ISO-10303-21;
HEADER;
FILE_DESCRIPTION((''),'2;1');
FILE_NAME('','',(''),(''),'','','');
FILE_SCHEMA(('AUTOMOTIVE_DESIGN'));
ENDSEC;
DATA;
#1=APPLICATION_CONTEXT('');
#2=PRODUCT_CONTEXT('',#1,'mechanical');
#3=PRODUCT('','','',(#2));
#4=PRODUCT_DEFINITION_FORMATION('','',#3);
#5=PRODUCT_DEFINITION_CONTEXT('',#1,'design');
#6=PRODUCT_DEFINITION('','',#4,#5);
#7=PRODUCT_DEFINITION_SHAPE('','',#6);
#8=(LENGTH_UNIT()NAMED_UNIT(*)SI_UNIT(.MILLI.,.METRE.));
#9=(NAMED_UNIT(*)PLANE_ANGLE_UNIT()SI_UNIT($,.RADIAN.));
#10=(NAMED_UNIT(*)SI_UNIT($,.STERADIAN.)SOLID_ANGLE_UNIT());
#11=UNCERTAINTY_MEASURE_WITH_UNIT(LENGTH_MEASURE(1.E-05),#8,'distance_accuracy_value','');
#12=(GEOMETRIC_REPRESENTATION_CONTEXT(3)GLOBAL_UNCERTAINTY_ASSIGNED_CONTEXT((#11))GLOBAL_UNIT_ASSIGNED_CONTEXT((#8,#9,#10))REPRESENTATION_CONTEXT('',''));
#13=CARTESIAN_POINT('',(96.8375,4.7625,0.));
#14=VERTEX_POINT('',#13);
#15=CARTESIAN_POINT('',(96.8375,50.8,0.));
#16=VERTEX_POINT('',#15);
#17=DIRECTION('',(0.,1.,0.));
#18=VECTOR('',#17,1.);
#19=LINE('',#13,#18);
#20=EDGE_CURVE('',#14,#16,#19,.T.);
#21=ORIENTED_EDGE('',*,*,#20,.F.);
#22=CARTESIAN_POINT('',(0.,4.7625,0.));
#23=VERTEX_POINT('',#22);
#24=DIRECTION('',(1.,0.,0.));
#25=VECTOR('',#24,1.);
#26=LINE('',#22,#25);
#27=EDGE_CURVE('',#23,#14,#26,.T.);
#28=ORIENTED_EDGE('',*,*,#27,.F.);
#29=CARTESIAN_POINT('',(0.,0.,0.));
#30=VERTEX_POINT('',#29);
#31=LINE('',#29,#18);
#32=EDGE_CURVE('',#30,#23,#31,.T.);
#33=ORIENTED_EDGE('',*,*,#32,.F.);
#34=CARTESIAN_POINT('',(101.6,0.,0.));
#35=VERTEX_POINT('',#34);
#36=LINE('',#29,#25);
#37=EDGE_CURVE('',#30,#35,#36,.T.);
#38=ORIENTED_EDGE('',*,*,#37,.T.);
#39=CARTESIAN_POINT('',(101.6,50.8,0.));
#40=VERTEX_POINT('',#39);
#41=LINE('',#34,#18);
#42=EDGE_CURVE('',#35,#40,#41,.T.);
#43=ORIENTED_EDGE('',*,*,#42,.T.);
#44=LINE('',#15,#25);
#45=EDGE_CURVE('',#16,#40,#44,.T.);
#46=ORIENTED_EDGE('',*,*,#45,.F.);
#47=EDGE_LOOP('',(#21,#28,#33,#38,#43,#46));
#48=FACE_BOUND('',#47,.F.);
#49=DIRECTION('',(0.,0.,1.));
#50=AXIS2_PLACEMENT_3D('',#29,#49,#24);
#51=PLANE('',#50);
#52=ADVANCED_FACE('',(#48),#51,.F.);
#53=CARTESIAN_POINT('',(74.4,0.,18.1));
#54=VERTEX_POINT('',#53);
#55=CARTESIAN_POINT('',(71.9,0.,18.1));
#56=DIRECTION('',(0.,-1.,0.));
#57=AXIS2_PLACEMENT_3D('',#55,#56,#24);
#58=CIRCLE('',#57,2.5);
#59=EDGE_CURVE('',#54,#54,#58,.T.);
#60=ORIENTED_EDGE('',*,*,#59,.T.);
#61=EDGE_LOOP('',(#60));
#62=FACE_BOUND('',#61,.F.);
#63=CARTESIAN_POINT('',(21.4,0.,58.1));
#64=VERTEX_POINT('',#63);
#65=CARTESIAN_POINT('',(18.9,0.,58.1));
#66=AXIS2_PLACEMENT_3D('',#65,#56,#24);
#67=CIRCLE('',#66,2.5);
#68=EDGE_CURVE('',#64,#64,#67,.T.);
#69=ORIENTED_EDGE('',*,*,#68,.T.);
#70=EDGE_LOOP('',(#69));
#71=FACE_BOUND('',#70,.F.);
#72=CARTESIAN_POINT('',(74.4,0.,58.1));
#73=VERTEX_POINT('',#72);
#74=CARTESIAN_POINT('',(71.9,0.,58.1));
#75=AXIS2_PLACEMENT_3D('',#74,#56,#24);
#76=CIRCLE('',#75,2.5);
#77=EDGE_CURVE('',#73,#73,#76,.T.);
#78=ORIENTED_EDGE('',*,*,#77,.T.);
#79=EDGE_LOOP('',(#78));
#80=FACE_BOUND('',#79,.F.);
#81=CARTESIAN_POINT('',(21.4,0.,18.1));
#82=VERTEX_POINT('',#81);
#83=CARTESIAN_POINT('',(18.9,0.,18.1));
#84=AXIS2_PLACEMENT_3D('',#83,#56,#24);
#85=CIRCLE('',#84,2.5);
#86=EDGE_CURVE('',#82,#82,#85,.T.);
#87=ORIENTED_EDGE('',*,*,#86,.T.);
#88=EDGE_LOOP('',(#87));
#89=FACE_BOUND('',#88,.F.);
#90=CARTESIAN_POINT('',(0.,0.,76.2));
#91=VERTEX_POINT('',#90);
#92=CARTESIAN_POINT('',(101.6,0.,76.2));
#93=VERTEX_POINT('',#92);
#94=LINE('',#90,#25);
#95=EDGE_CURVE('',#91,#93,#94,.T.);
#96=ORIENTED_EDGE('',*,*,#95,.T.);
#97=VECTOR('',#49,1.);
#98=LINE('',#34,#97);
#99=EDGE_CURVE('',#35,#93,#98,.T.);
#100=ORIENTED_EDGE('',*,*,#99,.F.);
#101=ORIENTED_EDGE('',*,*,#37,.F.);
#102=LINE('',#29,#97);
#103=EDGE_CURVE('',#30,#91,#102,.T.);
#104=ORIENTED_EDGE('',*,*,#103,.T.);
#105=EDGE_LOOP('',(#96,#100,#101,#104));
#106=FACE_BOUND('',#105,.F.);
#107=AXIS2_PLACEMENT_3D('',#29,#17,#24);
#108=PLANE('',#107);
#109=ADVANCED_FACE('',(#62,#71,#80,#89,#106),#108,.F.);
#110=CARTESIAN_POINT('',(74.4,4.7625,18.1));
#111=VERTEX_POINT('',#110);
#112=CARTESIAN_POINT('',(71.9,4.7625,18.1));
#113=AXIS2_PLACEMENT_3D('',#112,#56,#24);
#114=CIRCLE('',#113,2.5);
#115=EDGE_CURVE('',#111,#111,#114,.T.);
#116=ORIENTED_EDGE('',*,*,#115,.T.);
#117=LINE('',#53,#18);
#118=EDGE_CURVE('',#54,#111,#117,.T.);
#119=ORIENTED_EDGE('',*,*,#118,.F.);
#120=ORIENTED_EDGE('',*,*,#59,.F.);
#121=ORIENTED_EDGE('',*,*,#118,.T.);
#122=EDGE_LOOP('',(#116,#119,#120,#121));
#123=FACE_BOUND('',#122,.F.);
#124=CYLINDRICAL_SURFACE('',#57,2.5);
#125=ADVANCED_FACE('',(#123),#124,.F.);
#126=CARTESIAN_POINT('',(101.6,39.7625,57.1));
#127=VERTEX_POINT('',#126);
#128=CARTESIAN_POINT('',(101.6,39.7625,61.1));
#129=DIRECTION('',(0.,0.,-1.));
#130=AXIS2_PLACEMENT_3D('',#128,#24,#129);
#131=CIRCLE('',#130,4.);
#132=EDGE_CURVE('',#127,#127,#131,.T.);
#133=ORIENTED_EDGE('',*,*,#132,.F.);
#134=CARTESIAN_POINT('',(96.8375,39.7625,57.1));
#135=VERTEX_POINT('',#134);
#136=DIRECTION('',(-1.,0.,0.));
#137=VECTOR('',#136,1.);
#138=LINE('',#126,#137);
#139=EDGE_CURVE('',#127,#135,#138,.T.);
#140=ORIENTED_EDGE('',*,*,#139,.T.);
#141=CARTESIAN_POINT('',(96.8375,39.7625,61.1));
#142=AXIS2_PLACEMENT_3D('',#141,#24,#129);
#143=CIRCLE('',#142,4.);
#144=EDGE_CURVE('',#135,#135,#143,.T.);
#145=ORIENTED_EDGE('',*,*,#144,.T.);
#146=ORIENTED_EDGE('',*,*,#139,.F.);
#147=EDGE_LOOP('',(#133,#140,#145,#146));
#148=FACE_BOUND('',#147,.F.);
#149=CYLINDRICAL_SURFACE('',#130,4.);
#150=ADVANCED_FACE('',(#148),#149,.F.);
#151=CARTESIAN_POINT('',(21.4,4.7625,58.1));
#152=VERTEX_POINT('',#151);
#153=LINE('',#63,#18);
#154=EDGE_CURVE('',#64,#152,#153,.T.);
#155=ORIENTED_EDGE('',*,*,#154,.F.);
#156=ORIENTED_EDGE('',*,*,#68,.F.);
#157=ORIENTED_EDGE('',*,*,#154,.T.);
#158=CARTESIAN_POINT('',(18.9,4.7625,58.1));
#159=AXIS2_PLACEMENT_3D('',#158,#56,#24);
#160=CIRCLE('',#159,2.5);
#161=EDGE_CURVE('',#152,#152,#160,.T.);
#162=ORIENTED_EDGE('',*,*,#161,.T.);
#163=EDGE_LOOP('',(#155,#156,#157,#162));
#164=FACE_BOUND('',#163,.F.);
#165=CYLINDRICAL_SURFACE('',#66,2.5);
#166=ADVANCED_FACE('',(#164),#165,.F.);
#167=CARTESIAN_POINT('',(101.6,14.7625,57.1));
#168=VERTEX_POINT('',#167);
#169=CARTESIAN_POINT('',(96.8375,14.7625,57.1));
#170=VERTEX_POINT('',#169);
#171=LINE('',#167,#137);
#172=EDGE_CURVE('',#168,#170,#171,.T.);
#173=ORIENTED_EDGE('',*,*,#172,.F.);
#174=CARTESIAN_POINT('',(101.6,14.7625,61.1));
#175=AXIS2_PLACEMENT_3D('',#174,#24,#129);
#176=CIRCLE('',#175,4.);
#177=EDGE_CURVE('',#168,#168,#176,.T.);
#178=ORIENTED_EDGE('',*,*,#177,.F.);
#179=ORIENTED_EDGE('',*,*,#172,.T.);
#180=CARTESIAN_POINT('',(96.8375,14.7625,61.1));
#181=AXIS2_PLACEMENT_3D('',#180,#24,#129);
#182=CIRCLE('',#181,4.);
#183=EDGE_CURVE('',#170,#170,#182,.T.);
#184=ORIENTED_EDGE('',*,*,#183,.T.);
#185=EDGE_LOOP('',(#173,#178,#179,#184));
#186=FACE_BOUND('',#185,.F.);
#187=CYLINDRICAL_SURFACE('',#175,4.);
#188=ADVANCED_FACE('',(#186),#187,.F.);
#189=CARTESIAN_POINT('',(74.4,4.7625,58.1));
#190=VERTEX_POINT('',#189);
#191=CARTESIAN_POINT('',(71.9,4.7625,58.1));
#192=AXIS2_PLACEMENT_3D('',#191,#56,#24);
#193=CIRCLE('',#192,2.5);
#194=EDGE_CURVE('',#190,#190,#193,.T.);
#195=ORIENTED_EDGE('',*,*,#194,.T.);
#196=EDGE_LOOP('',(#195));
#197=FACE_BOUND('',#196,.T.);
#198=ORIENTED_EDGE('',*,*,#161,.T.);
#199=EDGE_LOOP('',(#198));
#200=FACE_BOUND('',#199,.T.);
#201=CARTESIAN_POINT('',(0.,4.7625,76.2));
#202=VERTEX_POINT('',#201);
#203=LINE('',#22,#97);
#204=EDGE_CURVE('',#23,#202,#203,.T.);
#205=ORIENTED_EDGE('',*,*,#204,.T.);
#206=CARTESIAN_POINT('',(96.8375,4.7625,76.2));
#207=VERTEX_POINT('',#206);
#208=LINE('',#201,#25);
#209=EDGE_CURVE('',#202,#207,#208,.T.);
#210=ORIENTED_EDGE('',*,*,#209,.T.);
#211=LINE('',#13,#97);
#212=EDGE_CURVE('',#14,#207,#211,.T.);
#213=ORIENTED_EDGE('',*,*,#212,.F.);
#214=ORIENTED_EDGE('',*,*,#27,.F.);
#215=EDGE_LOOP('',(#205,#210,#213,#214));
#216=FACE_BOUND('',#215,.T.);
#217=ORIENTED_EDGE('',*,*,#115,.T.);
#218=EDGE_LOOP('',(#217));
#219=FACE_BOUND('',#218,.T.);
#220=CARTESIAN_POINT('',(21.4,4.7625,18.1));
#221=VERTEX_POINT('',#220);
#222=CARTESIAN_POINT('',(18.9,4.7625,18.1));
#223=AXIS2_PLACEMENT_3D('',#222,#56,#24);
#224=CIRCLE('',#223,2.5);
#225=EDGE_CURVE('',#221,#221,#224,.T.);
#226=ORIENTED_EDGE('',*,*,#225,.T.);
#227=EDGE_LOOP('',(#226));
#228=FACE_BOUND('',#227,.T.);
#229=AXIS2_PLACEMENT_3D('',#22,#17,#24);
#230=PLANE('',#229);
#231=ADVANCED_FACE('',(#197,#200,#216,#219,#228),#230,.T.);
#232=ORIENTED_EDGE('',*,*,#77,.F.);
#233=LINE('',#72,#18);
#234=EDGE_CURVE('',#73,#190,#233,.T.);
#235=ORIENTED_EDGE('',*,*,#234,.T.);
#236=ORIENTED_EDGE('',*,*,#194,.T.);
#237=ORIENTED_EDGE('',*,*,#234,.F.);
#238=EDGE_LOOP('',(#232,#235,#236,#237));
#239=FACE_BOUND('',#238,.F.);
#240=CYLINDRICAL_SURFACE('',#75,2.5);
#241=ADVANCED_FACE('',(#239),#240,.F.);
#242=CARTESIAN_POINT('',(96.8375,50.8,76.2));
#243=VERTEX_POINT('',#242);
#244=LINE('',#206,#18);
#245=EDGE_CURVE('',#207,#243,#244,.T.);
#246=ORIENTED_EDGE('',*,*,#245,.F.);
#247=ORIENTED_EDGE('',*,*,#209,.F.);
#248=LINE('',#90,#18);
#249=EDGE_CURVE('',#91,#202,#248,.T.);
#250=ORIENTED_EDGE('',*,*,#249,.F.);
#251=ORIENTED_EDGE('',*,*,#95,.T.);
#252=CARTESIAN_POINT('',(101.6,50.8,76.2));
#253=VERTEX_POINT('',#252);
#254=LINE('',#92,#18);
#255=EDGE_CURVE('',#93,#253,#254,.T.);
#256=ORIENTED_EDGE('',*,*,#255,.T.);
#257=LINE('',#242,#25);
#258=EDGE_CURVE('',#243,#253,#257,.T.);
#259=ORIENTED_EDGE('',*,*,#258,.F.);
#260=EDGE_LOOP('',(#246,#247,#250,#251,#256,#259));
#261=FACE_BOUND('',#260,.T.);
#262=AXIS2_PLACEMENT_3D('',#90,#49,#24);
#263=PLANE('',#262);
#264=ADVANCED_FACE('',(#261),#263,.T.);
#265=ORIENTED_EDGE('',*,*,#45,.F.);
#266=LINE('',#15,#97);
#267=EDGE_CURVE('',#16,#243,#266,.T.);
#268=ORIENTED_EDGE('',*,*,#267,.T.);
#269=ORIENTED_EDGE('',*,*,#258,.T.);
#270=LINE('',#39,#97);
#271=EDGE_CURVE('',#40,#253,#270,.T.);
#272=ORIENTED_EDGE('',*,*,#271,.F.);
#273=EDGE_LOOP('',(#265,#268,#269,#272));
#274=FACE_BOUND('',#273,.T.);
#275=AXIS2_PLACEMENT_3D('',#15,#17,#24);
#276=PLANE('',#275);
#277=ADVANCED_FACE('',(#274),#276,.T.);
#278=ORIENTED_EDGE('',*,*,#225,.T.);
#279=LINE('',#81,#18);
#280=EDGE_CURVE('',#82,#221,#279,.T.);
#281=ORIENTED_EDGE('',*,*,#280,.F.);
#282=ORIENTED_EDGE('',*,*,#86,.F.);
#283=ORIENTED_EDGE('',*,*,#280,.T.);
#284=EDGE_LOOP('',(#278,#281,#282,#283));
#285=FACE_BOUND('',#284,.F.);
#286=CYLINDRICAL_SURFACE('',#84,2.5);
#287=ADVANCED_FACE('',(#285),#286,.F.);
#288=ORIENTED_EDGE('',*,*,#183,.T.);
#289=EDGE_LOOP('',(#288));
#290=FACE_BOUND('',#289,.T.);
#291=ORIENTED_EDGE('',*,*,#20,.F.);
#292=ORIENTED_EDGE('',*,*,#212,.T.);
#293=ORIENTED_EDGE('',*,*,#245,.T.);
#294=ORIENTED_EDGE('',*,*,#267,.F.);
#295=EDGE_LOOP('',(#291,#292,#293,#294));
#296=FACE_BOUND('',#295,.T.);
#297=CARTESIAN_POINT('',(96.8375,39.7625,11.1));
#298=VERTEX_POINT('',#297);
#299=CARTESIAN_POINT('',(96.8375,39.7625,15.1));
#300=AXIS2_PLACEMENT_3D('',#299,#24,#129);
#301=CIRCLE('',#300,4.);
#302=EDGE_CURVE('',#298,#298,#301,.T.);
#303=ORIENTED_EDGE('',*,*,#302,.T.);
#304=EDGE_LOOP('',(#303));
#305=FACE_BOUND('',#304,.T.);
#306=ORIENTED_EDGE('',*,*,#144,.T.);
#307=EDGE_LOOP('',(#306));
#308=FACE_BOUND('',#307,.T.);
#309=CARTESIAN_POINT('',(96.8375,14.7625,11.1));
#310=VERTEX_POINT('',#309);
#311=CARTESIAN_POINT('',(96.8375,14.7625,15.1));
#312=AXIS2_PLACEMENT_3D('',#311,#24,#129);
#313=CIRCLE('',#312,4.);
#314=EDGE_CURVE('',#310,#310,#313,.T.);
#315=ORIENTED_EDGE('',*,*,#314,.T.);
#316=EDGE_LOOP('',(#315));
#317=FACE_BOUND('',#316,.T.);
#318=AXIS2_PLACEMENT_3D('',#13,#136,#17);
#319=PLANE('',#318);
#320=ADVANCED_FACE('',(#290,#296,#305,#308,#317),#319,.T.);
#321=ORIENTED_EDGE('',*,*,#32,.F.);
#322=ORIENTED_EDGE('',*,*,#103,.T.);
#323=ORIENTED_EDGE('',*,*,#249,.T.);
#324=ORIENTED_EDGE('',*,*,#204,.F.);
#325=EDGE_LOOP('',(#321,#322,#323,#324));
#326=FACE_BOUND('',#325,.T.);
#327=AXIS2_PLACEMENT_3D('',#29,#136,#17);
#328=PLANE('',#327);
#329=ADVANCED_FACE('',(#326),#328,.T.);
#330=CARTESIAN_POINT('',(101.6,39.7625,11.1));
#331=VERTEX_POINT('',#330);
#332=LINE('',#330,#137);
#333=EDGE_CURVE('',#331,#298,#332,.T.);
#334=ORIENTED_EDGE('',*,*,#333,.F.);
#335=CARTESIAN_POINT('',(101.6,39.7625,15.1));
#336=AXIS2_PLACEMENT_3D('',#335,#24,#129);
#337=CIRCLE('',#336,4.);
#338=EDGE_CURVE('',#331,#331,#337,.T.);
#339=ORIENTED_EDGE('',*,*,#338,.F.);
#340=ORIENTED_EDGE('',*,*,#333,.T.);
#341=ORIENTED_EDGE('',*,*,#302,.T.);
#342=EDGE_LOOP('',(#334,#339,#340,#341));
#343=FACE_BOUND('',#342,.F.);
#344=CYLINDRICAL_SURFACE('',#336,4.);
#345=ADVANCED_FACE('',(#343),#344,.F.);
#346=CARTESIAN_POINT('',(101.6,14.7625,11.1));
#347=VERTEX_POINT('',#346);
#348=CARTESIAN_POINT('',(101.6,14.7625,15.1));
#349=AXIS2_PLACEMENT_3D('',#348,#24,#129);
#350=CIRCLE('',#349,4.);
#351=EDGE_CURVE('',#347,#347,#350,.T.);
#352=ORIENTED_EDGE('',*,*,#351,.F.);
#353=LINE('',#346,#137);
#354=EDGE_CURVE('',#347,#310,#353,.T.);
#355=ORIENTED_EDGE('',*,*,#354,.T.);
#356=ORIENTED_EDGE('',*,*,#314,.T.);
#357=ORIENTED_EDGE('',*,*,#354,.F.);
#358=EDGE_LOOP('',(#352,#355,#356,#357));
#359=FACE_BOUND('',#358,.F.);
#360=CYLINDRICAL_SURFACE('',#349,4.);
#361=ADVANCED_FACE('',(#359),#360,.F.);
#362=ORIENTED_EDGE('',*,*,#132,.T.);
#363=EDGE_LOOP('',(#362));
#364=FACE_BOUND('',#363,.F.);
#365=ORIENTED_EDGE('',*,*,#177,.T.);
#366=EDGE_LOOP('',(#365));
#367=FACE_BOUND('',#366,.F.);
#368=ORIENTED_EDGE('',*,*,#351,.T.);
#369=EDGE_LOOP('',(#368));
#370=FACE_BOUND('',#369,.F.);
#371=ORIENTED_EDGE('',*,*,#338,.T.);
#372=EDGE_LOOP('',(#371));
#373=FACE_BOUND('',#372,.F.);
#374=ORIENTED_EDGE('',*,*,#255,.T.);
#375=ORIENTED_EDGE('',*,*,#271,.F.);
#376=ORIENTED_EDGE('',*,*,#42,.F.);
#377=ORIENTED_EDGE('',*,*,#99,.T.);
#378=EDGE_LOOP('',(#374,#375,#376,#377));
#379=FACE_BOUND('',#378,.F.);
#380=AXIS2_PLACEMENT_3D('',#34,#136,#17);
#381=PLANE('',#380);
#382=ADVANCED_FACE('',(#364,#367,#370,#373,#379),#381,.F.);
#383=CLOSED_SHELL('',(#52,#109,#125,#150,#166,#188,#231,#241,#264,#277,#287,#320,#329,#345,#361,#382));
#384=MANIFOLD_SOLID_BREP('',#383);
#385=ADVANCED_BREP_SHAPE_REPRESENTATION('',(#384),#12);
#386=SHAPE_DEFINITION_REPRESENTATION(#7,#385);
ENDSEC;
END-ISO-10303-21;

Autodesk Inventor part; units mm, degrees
ref_plane "YZ Plane" through (0, 0, 0) normal (1, 0, 0) x (0, 1, 0)
ref_plane "XZ Plane" through (0, 0, 0) normal (0, 1, 0) x (-1, 0, 0)
ref_plane "XY Plane" through (0, 0, 0) normal (0, 0, 1) x (1, 0, 0)
sketch "Sketch1" plane through (0, 0, 0) normal (0, 0, 1) x (1, 0, 0)
  line L0 (0, 0) -> (101.6, 0)
  line L1 (101.6, 0) -> (101.6, 50.8)
  line L2 (0, 0) -> (0, 4.7625)
  line L3 (0, 4.7625) -> (96.8375, 4.7625)
  line L4 (96.8375, 4.7625) -> (96.8375, 50.8)
  line L5 (96.8375, 50.8) -> (101.6, 50.8)
  dimension "d0" = 101.6
  dimension "d1" = 50.8
  dimension "d2" = 4.7625
extrude "Extrusion1" add sketch "Sketch1" along normal blind 76.2
sketch "Sketch2" plane through (0, 0, 0) normal (0, -1, 0) x (1, 0, 0)
  line L0 (18.9, 18.1) -> (71.9, 18.1) construction
  line L1 (71.9, 18.1) -> (71.9, 58.1) construction
  line L2 (71.9, 58.1) -> (18.9, 58.1) construction
  line L3 (18.9, 58.1) -> (18.9, 18.1) construction
  line L4 (101.6, 0) -> (101.6, 76.2) construction
  circle A0 centre (18.9, 58.1) radius 2.5
  circle A1 centre (18.9, 18.1) radius 2.5
  circle A2 centre (71.9, 58.1) radius 2.5
  circle A3 centre (71.9, 18.1) radius 2.5
  point P0 (0, 0)
  point P1 (45.4, 58.1)
  point P2 (71.9, 38.1)
  point P3 (101.6, 38.1)
  dimension "d5" = 53
  dimension "d6" = 40
  dimension "d7" = 56.2
  dimension "d8" = 5
extrude "Extrusion2" cut sketch "Sketch2" against normal up to surface (4.7625 mm away)
sketch "Sketch3" plane through (101.6, 0, 0) normal (1, 0, 0) x (0, 0, -1)
  line L0 (-15.1, 14.7625) -> (-61.1, 14.7625) construction
  line L1 (-61.1, 14.7625) -> (-61.1, 39.7625) construction
  line L2 (-61.1, 39.7625) -> (-15.1, 39.7625) construction
  line L3 (-15.1, 39.7625) -> (-15.1, 14.7625) construction
  line L4 (0, 0) -> (-76.2, 0) construction
  circle A0 centre (-15.1, 14.7625) radius 4
  circle A1 centre (-15.1, 39.7625) radius 4
  circle A2 centre (-61.1, 14.7625) radius 4
  circle A3 centre (-61.1, 39.7625) radius 4
  point P0 (0, 4.7625)
  point P1 (-38.1, 14.7625)
  point P2 (-38.1, 0)
  dimension "d11" = 46
  dimension "d12" = 25
  dimension "d13" = 10
  dimension "d14" = 8
extrude "Extrusion3" cut sketch "Sketch3" against normal blind 25.4
properties part number "L_Bracketr"
